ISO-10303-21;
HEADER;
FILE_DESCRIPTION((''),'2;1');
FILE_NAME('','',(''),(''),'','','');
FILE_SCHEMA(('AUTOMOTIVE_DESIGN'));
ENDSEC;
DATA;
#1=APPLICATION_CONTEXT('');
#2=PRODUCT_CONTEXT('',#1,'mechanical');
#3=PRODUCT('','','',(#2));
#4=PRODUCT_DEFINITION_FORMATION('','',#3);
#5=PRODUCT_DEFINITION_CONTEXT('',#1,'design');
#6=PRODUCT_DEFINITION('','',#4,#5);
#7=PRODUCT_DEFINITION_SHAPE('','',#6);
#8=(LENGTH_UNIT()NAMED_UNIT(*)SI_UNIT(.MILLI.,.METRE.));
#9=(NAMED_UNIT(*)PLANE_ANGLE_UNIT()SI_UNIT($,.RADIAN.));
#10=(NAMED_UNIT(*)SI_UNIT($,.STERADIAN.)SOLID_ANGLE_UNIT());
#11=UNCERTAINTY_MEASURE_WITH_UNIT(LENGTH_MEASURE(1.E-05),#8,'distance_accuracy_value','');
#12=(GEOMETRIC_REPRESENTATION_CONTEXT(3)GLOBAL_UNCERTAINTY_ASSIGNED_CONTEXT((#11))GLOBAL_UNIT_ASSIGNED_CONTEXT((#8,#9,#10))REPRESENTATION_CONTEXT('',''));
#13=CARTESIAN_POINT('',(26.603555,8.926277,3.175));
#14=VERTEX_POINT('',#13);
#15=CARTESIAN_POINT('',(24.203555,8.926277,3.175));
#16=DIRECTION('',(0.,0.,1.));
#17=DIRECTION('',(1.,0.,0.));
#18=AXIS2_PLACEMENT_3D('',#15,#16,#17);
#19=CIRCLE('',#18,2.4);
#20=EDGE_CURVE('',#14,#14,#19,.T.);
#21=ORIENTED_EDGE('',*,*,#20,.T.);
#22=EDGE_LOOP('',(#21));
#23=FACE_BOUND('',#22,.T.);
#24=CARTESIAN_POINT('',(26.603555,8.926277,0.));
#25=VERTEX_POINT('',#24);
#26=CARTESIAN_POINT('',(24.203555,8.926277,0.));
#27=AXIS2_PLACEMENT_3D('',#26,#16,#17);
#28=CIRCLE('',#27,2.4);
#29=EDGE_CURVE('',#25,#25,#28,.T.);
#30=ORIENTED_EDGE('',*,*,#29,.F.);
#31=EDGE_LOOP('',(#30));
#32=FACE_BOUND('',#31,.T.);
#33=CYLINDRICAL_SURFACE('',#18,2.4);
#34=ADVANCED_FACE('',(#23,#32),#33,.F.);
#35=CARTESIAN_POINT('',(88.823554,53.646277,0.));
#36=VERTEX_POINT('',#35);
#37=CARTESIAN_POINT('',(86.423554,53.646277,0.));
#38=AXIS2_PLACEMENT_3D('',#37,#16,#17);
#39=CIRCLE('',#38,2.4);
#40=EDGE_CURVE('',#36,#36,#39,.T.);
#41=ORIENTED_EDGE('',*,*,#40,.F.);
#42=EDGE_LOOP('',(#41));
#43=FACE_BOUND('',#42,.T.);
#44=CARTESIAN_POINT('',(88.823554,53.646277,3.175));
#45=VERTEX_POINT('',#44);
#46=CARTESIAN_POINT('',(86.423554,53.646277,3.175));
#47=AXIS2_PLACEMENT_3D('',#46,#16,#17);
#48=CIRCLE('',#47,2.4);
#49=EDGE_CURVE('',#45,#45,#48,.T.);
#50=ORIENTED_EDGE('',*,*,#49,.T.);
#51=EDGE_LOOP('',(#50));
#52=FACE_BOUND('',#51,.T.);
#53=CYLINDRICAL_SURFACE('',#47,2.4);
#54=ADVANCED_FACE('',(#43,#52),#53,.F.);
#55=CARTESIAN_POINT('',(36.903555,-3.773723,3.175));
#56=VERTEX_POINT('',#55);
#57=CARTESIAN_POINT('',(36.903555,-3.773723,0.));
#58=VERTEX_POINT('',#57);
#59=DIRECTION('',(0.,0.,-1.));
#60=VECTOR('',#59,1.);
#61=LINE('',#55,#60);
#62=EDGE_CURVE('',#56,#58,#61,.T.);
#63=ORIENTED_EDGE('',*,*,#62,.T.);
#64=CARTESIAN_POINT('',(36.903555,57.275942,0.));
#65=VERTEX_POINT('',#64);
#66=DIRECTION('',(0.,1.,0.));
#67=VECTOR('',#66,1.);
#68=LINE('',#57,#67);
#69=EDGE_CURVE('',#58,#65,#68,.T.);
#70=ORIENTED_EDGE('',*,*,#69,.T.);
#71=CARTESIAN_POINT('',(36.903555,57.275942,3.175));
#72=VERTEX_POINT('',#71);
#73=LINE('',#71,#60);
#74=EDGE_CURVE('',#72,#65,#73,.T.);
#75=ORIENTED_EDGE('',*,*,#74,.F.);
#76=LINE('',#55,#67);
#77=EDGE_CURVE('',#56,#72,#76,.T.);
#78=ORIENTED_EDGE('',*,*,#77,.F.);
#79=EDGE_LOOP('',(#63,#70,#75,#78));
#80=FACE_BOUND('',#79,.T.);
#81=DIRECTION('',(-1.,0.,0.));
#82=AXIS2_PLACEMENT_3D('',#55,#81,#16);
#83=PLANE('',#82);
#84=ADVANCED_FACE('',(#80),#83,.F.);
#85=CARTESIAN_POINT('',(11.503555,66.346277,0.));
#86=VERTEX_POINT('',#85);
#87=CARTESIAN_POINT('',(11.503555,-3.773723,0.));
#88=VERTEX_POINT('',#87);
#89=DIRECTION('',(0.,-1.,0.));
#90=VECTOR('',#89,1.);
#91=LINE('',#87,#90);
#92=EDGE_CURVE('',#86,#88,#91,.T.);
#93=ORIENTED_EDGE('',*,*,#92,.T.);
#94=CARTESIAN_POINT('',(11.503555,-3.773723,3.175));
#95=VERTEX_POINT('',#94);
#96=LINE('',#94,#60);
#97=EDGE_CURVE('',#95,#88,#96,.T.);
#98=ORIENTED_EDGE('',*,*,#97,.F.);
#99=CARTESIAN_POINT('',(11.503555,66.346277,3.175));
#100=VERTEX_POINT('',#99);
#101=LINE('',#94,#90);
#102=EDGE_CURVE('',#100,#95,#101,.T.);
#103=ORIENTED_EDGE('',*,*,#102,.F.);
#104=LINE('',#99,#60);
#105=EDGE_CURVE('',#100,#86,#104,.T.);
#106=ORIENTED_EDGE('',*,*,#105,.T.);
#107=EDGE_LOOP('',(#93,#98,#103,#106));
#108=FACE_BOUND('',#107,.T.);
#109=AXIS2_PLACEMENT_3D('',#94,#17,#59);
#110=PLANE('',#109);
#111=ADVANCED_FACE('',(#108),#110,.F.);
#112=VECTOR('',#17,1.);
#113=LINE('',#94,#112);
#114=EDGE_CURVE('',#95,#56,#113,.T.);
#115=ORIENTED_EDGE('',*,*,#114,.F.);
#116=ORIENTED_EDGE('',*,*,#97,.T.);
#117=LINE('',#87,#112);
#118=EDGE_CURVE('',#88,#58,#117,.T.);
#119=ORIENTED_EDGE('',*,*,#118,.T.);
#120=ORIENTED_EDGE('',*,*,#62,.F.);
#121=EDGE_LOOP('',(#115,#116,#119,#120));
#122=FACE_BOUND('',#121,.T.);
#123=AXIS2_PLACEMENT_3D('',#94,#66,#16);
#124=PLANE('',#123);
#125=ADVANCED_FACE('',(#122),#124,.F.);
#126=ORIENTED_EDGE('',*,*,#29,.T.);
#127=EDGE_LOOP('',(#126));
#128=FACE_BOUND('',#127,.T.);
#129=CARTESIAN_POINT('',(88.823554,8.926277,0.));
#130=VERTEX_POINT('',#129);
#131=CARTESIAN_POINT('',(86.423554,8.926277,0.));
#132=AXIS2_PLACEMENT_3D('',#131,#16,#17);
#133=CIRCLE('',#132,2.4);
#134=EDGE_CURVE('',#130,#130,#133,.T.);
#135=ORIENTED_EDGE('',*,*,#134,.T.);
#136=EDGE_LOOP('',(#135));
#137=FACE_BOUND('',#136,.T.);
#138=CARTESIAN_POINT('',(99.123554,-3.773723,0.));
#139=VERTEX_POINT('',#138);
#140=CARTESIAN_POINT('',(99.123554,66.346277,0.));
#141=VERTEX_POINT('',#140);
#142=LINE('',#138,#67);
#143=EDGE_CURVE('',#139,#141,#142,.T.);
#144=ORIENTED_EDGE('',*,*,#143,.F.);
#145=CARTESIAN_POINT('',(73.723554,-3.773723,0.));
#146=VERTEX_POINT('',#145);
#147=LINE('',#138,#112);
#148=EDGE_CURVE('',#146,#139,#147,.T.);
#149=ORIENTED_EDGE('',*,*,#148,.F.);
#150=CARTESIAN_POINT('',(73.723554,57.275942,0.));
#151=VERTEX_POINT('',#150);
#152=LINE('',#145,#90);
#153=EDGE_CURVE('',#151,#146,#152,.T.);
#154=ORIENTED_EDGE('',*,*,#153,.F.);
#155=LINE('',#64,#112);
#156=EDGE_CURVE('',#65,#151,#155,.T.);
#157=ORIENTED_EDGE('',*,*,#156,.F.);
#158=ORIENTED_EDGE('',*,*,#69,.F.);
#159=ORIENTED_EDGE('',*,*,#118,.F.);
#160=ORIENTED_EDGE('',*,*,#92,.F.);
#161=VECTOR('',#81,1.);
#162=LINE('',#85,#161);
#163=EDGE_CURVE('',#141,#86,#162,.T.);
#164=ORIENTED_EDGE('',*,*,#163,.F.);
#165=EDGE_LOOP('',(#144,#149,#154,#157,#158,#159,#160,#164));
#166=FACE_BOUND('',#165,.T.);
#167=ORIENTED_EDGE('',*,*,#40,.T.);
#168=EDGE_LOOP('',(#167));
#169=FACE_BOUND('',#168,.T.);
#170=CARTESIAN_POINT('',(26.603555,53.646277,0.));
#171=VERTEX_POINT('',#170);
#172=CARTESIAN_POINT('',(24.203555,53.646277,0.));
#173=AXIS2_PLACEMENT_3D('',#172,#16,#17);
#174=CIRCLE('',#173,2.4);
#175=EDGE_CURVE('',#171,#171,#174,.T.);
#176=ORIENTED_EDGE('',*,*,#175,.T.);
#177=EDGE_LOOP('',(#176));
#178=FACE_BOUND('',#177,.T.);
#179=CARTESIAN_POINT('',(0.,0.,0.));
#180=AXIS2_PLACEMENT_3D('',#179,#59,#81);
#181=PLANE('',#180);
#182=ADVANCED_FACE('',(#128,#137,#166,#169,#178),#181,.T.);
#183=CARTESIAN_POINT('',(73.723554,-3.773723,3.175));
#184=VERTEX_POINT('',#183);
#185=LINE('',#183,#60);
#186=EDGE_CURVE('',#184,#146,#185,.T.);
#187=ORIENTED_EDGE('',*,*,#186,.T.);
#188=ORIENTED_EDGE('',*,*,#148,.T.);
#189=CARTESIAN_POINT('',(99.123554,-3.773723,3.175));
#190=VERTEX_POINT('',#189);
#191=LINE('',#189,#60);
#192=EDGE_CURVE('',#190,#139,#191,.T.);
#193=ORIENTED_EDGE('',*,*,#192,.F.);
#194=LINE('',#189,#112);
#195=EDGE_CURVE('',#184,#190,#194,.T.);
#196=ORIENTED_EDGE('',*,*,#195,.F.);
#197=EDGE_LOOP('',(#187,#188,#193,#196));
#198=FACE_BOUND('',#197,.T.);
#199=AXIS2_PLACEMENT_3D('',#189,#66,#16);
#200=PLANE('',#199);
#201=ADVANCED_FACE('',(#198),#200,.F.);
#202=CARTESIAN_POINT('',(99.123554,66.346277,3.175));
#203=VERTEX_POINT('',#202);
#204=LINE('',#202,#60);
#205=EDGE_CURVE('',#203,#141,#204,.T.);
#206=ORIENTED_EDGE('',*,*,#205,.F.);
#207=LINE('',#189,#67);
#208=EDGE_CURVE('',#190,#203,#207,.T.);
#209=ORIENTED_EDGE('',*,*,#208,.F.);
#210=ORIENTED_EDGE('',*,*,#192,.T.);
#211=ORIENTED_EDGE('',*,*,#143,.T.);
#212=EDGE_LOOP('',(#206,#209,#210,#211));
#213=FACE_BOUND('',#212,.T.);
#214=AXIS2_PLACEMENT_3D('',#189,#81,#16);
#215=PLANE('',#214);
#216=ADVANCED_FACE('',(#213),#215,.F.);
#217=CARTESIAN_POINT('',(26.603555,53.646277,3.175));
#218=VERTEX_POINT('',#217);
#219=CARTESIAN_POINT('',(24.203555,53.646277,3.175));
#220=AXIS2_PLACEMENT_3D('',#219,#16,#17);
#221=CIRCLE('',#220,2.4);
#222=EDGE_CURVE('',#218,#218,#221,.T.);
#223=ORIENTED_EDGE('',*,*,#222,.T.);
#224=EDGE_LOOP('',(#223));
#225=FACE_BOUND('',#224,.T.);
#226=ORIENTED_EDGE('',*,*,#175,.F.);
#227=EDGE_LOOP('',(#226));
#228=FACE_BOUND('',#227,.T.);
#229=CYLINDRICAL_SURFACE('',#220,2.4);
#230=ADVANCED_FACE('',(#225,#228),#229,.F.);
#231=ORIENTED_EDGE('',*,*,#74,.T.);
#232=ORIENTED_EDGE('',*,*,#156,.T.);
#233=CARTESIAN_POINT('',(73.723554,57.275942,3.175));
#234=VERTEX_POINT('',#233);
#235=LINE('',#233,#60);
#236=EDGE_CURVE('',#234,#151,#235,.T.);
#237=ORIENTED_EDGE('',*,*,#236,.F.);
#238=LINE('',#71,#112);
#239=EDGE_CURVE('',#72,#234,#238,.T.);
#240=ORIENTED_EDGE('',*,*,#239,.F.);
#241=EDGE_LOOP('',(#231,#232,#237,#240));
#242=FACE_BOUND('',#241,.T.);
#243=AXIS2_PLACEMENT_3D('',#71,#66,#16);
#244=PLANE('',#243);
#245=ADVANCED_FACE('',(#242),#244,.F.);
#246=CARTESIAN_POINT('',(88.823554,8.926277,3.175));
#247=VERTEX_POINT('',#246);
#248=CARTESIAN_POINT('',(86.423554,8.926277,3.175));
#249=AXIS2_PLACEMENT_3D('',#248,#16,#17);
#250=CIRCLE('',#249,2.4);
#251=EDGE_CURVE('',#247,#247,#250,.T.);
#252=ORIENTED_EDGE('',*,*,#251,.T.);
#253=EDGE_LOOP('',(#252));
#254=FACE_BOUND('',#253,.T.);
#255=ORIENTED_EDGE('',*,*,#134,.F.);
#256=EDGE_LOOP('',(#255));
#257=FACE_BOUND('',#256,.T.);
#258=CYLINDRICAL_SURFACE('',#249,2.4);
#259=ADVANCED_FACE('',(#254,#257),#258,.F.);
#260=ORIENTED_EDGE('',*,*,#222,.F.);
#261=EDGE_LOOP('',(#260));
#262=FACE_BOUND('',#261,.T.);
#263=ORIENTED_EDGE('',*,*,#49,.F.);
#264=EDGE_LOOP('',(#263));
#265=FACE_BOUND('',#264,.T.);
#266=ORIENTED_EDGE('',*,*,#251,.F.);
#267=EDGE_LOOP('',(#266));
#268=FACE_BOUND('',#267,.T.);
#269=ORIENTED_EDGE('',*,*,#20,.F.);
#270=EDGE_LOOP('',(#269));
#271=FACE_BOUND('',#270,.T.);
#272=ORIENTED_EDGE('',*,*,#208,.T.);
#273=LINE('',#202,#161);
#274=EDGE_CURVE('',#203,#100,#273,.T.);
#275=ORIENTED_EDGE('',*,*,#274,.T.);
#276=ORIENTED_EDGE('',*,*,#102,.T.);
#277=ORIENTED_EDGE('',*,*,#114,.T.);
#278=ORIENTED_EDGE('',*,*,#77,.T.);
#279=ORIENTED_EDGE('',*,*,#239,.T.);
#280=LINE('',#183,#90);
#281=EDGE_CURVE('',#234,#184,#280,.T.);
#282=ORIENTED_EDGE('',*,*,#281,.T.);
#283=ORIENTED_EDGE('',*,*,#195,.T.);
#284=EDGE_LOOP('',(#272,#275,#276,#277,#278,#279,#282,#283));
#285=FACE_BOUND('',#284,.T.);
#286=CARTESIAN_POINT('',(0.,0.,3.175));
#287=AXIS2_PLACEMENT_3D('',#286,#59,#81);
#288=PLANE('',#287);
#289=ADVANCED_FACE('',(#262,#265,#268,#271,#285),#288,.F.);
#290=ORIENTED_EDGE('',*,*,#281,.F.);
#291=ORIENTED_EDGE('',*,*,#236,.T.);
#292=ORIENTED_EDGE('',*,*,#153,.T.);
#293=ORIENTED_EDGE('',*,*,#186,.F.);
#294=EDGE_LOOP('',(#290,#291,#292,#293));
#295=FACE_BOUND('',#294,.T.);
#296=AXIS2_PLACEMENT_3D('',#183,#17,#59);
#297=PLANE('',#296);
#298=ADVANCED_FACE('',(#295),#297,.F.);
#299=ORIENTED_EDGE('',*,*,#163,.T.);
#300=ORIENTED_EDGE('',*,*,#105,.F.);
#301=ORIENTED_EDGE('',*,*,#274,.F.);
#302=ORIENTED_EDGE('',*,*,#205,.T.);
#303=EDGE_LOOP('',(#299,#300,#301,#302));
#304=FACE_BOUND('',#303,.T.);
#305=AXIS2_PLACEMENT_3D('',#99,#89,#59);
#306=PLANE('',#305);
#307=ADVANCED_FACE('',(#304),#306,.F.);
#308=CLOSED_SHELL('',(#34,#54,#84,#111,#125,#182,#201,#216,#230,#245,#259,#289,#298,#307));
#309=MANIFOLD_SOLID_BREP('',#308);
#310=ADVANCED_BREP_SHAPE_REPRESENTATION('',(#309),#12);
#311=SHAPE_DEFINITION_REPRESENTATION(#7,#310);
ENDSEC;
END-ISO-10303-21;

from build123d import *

# Parameters (mm, degrees)
SKETCH1_R            = 1.091149581
SKETCH1_R_2          = 1.265238112
SKETCH1_R_3          = 1.717110749
SKETCH1_R_4          = 1.455402606
BOSS_EXTRUDE1_DEPTH  = 3.175
M4_CLEARANCE_HOLE1_D = 4.8


with BuildPart() as part:
    # Sketch1 → Boss-Extrude1 (new body)
    with BuildSketch(Plane.XY):
        Polygon((11.503555024, -3.77372269), (36.903555024, -3.77372269), (36.903555024, 57.275941722), (73.723553593, 57.275941722), (73.723553593, -3.77372269), (99.123553593, -3.77372269), (99.123553593, 66.34627731), (73.723553593, 66.34627731), (36.903555024, 66.34627731), (11.503555024, 66.34627731), align=None)
        with Locations((24.203555024, 53.64627731)):
            Circle(SKETCH1_R, mode=Mode.SUBTRACT)
        with Locations((24.203555024, 8.92627731)):
            Circle(SKETCH1_R_2, mode=Mode.SUBTRACT)
        with Locations((86.423553593, 53.64627731)):
            Circle(SKETCH1_R_3, mode=Mode.SUBTRACT)
        with Locations((86.423553593, 8.92627731)):
            Circle(SKETCH1_R_4, mode=Mode.SUBTRACT)
    extrude(amount=BOSS_EXTRUDE1_DEPTH)

    # M4 Clearance Hole1 (through all)
    with Locations(Plane.XY.offset(3.175)):
        with Locations((24.203555024, 53.64627731), (24.203555024, 8.92627731), (86.423553593, 8.92627731), (86.423553593, 53.64627731)):
            Hole(M4_CLEARANCE_HOLE1_D / 2)


solid = part.part
